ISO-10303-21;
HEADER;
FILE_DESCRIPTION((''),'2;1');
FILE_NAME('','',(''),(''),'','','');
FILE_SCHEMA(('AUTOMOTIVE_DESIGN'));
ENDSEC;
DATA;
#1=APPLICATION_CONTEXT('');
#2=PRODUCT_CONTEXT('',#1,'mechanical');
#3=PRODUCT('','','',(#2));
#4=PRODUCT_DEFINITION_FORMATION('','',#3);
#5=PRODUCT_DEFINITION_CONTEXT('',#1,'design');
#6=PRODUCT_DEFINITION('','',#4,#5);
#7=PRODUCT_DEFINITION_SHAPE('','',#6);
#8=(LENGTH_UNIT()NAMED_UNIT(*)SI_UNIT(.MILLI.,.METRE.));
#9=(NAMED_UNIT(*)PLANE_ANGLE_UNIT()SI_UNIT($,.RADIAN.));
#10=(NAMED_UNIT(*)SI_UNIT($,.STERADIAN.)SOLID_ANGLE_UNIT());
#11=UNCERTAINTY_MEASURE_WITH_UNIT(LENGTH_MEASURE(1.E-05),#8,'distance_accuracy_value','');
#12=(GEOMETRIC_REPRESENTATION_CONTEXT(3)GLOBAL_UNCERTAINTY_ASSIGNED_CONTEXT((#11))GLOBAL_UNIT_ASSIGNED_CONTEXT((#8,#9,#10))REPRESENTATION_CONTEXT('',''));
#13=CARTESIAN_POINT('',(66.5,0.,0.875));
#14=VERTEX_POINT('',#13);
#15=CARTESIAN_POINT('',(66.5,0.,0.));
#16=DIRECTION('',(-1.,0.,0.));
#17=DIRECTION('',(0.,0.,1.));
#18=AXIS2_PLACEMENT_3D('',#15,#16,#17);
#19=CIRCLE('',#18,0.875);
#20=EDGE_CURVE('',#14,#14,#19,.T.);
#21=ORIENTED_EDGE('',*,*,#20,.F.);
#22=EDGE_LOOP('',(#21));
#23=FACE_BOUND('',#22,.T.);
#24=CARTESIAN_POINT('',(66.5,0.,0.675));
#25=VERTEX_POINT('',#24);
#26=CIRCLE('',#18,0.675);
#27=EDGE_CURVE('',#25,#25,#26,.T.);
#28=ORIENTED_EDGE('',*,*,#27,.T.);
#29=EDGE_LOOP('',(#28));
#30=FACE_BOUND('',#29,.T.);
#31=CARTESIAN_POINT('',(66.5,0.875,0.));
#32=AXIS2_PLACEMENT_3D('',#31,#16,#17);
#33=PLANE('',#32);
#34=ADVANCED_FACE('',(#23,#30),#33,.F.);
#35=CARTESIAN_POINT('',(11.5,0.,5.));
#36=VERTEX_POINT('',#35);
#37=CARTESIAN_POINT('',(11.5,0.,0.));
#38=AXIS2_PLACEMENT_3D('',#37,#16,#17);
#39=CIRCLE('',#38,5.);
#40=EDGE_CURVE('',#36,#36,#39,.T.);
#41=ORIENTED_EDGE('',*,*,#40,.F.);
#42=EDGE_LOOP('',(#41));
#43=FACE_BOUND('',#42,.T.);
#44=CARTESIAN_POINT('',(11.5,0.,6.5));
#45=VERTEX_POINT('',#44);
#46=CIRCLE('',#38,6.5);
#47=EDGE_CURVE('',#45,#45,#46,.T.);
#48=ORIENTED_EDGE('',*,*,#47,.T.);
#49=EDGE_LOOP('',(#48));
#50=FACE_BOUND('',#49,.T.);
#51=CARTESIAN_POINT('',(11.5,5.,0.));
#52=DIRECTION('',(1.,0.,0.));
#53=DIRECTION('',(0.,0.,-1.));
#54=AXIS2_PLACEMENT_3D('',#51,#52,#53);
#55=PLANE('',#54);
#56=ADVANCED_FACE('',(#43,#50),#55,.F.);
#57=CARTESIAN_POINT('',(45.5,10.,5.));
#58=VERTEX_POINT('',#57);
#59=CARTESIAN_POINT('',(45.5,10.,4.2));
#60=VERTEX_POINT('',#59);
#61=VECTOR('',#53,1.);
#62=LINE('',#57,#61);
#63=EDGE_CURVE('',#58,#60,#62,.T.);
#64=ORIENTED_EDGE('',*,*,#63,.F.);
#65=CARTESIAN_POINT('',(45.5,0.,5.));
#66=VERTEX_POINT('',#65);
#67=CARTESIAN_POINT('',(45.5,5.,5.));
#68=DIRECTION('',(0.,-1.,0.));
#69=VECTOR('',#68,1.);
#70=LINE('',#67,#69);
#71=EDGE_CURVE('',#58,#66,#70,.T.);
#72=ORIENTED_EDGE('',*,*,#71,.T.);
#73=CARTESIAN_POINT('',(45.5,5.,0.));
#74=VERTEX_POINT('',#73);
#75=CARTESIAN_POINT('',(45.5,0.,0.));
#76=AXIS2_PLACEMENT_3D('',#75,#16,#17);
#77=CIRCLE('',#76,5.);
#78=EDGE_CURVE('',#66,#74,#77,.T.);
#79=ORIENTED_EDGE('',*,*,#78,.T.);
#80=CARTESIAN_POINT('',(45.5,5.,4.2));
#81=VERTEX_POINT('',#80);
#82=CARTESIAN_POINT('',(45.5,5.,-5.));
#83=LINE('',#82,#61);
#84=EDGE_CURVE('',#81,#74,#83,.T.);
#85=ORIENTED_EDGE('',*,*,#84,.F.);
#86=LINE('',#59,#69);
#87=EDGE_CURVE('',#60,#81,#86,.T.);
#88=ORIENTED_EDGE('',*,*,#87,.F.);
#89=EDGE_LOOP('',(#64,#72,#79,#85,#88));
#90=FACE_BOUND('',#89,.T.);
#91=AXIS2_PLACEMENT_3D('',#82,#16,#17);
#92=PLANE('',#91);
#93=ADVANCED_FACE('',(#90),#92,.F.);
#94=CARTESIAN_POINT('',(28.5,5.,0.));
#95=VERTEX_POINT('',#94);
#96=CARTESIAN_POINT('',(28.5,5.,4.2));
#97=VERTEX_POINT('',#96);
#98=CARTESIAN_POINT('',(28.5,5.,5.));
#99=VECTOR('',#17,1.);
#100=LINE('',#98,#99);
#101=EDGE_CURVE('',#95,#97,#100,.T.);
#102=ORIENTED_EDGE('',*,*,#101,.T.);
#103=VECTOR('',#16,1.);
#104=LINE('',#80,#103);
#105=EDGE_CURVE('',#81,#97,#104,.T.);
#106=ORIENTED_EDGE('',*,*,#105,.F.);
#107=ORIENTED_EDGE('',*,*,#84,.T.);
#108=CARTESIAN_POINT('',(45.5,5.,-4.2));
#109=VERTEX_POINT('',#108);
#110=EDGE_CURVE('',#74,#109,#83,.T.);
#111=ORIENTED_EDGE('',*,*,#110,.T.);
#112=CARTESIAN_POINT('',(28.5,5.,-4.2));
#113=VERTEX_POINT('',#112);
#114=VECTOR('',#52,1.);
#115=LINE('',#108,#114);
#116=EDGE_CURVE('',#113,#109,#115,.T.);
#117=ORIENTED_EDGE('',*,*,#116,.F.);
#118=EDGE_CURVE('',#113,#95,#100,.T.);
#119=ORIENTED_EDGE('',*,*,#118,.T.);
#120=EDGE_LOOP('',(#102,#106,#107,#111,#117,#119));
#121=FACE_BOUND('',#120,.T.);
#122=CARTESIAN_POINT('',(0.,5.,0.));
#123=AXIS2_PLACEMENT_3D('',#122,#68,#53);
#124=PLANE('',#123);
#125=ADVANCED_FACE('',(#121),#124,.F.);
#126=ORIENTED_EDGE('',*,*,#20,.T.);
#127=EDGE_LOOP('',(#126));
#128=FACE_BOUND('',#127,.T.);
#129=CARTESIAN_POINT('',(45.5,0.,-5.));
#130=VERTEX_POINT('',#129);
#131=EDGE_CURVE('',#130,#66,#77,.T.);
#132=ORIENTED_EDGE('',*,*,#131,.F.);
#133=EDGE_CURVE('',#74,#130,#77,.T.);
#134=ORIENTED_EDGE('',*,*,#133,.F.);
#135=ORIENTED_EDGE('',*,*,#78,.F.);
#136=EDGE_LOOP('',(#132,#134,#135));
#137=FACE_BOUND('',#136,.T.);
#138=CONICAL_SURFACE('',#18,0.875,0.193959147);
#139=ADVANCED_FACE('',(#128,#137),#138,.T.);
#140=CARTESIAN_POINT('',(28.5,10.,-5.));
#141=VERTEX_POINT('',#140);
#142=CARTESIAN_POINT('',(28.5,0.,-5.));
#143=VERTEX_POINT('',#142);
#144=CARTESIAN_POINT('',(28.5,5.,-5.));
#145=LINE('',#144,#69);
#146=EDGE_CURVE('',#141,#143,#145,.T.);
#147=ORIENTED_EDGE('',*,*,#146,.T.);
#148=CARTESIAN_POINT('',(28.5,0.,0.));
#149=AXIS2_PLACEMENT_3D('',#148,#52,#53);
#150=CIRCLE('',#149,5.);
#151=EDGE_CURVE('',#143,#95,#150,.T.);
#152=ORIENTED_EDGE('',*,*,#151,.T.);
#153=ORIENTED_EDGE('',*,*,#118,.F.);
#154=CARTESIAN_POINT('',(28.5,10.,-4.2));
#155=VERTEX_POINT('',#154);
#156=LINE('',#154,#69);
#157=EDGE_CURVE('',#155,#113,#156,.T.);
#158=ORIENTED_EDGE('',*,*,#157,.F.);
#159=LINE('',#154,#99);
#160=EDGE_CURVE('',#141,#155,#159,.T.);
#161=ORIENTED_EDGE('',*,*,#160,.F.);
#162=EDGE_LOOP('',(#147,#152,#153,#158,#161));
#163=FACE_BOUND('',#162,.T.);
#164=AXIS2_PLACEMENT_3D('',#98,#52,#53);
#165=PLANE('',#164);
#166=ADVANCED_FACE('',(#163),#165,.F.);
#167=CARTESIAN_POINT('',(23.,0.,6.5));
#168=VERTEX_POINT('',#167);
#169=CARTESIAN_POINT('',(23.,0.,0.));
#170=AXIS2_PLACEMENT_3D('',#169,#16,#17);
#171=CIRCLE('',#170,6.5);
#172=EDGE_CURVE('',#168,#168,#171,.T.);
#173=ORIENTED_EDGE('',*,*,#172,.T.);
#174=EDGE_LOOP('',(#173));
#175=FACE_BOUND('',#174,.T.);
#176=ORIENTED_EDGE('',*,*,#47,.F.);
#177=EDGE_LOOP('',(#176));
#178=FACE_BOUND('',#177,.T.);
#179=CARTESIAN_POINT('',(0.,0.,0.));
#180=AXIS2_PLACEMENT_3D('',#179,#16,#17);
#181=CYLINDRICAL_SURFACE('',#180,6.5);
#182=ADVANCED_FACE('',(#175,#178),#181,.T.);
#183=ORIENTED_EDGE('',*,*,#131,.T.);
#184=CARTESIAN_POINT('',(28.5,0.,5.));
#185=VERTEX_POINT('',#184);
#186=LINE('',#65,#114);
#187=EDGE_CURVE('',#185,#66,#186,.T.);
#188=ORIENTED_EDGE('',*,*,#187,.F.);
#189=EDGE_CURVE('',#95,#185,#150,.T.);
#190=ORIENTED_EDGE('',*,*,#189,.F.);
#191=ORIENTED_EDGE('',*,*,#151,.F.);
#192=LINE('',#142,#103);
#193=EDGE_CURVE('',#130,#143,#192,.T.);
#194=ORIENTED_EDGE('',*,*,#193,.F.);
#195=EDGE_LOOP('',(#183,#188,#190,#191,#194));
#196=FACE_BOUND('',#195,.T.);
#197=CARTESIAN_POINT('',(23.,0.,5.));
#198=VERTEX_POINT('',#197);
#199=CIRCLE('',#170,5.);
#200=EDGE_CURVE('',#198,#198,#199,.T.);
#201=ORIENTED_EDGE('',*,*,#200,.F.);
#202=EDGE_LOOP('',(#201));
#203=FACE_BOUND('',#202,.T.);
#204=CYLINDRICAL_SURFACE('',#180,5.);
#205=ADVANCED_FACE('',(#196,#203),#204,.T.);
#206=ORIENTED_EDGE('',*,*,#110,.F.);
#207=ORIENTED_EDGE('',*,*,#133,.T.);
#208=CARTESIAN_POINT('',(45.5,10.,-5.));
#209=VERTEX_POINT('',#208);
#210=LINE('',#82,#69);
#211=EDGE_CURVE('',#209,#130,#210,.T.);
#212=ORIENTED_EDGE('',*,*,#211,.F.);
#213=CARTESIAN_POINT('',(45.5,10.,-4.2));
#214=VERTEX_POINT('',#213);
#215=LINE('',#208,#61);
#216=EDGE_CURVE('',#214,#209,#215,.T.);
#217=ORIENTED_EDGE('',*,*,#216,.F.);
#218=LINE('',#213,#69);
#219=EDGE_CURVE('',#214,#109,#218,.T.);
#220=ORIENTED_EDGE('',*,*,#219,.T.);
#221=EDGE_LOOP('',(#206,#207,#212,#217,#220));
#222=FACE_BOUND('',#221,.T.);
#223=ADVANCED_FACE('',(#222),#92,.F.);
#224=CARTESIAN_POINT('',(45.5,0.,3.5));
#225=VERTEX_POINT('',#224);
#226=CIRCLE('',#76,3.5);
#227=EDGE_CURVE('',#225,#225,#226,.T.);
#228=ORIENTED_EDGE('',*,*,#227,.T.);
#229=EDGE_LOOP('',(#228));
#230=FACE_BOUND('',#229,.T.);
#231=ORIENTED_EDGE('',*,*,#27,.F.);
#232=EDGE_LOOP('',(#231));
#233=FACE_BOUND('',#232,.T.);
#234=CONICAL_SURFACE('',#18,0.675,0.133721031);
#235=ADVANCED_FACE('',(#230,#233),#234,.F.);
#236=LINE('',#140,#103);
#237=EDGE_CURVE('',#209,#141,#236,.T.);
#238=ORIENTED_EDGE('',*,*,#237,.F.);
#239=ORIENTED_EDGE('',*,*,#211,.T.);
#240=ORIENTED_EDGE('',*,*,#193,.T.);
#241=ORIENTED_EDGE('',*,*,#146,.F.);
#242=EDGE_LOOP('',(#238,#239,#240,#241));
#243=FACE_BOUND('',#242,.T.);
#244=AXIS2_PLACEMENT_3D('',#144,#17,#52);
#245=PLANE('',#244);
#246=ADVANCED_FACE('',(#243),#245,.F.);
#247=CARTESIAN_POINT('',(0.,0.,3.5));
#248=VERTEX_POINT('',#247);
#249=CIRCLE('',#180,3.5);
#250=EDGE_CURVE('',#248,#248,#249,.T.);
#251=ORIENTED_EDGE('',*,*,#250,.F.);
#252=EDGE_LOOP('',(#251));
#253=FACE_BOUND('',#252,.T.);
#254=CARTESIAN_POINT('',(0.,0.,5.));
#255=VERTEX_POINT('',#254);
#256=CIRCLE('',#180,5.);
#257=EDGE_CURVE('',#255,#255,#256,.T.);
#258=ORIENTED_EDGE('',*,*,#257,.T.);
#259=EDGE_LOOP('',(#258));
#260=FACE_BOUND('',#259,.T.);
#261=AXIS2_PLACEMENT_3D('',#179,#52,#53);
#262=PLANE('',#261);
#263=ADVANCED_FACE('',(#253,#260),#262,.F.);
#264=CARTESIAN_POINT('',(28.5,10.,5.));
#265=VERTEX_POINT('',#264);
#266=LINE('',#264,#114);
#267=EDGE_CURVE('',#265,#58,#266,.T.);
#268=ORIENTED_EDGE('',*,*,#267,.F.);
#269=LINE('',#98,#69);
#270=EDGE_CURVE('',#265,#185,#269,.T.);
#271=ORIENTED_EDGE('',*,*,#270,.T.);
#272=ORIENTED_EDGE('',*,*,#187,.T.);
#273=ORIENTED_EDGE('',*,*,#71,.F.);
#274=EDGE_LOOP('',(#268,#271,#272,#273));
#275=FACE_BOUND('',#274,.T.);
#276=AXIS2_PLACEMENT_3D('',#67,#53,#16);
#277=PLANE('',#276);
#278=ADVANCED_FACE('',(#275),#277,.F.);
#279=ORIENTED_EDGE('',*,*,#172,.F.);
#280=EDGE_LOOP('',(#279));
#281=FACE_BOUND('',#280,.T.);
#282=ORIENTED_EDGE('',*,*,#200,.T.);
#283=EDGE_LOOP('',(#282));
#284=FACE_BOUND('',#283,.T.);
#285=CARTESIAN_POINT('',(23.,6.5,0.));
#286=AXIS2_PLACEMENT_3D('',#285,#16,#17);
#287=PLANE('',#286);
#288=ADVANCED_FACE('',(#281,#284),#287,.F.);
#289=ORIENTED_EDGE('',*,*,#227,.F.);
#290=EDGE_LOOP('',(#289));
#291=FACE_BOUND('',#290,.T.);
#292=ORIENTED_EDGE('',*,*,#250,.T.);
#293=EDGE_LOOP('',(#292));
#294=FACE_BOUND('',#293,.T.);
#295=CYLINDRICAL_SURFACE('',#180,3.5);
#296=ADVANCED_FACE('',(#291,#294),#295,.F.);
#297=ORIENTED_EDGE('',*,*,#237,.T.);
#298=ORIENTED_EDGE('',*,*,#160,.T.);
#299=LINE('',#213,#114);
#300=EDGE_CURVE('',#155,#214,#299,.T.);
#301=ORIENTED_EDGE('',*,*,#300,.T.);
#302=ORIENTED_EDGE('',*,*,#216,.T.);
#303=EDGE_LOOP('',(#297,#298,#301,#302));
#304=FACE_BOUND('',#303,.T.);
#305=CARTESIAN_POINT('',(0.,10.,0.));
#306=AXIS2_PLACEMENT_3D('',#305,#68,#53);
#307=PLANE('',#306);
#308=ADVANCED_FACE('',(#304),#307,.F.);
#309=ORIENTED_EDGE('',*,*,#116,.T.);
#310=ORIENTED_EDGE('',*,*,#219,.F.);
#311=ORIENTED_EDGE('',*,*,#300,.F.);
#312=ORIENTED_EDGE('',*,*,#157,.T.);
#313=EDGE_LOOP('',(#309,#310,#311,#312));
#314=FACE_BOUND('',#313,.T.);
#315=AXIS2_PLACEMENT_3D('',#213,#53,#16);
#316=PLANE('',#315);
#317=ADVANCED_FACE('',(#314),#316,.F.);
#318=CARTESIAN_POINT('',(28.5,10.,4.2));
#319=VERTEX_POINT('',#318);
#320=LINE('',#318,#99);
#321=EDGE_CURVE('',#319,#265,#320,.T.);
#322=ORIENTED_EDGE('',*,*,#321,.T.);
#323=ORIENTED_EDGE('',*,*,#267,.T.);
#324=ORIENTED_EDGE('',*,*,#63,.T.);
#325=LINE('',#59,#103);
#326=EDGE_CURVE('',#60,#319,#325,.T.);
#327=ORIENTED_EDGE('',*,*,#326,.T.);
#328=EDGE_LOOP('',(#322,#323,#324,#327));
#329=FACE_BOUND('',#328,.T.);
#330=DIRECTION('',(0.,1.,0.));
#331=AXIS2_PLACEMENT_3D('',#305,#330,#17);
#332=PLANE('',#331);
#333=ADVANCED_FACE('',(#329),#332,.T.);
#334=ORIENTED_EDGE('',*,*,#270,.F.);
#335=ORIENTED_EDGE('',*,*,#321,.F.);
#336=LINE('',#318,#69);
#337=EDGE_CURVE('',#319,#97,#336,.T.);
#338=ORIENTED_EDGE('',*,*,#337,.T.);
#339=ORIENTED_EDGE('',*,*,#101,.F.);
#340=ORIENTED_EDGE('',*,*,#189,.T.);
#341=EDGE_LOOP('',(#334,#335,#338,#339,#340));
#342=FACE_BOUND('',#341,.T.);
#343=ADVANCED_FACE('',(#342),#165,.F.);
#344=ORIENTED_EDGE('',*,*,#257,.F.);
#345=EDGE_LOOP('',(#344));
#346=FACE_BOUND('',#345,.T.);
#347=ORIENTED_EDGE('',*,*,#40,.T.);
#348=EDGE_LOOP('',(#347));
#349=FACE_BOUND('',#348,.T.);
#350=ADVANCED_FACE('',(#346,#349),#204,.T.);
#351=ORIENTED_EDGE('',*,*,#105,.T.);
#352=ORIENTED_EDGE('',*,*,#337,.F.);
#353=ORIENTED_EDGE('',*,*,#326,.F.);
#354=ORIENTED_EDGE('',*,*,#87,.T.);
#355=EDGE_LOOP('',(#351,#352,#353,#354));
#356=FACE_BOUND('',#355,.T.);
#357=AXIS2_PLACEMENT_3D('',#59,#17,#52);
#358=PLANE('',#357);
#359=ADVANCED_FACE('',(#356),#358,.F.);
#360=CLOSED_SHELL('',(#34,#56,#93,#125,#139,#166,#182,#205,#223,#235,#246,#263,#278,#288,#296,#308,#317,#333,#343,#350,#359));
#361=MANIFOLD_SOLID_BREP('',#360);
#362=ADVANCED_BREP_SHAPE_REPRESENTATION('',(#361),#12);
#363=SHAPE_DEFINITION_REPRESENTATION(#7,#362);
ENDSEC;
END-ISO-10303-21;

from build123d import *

# Parameters (mm, degrees)
SKICA2_W                = 17
SKICA2_H                = 10
P_IDAT_VYSUNUT_M1_DEPTH = 5
SKICA3_W                = 17
SKICA3_H                = 0.8
P_IDAT_VYSUNUT_M2_DEPTH = 5


with BuildPart() as part:
    # Skica1 → Rotovat1 (revolve)
    with BuildSketch(Plane.XY):
        Polygon((0, 0), (0, 5), (11.5, 5), (11.5, 6.5), (23, 6.5), (23, 5), (45.5, 5), (66.5, 0.875), (66.5, 0), align=None)
    revolve(axis=Axis((0, 0, 0), (1, 0, 0)))

    # Skica2 → Přidat vysunutím1 (add)
    with BuildSketch(Plane(origin=(0, 0, 0), x_dir=(1, 0, 0), z_dir=(0, 1, 0))):
        with Locations((37, 0)):
            Rectangle(SKICA2_W, SKICA2_H)
    extrude(amount=P_IDAT_VYSUNUT_M1_DEPTH)

    # Skica3 → Přidat vysunutím2 (add)
    with BuildSketch(Plane(origin=(0, 5, 0), x_dir=(1, 0, 0), z_dir=(0, 1, 0))):
        with Locations((37, -4.6)):
            Rectangle(SKICA3_W, SKICA3_H)
        with Locations((37, 4.6)):
            Rectangle(SKICA3_W, SKICA3_H)
    extrude(amount=P_IDAT_VYSUNUT_M2_DEPTH)

    # Skica4 → Odebrat rotací1 (revolve, cut)
    with BuildSketch(Plane.XY):
        Polygon((0, 0), (0, 3.5), (45.5, 3.5), (66.5, 0.675), (66.5, 0), align=None)
    revolve(axis=Axis((0, 0, 0), (1, 0, 0)), mode=Mode.SUBTRACT)


solid = part.part
